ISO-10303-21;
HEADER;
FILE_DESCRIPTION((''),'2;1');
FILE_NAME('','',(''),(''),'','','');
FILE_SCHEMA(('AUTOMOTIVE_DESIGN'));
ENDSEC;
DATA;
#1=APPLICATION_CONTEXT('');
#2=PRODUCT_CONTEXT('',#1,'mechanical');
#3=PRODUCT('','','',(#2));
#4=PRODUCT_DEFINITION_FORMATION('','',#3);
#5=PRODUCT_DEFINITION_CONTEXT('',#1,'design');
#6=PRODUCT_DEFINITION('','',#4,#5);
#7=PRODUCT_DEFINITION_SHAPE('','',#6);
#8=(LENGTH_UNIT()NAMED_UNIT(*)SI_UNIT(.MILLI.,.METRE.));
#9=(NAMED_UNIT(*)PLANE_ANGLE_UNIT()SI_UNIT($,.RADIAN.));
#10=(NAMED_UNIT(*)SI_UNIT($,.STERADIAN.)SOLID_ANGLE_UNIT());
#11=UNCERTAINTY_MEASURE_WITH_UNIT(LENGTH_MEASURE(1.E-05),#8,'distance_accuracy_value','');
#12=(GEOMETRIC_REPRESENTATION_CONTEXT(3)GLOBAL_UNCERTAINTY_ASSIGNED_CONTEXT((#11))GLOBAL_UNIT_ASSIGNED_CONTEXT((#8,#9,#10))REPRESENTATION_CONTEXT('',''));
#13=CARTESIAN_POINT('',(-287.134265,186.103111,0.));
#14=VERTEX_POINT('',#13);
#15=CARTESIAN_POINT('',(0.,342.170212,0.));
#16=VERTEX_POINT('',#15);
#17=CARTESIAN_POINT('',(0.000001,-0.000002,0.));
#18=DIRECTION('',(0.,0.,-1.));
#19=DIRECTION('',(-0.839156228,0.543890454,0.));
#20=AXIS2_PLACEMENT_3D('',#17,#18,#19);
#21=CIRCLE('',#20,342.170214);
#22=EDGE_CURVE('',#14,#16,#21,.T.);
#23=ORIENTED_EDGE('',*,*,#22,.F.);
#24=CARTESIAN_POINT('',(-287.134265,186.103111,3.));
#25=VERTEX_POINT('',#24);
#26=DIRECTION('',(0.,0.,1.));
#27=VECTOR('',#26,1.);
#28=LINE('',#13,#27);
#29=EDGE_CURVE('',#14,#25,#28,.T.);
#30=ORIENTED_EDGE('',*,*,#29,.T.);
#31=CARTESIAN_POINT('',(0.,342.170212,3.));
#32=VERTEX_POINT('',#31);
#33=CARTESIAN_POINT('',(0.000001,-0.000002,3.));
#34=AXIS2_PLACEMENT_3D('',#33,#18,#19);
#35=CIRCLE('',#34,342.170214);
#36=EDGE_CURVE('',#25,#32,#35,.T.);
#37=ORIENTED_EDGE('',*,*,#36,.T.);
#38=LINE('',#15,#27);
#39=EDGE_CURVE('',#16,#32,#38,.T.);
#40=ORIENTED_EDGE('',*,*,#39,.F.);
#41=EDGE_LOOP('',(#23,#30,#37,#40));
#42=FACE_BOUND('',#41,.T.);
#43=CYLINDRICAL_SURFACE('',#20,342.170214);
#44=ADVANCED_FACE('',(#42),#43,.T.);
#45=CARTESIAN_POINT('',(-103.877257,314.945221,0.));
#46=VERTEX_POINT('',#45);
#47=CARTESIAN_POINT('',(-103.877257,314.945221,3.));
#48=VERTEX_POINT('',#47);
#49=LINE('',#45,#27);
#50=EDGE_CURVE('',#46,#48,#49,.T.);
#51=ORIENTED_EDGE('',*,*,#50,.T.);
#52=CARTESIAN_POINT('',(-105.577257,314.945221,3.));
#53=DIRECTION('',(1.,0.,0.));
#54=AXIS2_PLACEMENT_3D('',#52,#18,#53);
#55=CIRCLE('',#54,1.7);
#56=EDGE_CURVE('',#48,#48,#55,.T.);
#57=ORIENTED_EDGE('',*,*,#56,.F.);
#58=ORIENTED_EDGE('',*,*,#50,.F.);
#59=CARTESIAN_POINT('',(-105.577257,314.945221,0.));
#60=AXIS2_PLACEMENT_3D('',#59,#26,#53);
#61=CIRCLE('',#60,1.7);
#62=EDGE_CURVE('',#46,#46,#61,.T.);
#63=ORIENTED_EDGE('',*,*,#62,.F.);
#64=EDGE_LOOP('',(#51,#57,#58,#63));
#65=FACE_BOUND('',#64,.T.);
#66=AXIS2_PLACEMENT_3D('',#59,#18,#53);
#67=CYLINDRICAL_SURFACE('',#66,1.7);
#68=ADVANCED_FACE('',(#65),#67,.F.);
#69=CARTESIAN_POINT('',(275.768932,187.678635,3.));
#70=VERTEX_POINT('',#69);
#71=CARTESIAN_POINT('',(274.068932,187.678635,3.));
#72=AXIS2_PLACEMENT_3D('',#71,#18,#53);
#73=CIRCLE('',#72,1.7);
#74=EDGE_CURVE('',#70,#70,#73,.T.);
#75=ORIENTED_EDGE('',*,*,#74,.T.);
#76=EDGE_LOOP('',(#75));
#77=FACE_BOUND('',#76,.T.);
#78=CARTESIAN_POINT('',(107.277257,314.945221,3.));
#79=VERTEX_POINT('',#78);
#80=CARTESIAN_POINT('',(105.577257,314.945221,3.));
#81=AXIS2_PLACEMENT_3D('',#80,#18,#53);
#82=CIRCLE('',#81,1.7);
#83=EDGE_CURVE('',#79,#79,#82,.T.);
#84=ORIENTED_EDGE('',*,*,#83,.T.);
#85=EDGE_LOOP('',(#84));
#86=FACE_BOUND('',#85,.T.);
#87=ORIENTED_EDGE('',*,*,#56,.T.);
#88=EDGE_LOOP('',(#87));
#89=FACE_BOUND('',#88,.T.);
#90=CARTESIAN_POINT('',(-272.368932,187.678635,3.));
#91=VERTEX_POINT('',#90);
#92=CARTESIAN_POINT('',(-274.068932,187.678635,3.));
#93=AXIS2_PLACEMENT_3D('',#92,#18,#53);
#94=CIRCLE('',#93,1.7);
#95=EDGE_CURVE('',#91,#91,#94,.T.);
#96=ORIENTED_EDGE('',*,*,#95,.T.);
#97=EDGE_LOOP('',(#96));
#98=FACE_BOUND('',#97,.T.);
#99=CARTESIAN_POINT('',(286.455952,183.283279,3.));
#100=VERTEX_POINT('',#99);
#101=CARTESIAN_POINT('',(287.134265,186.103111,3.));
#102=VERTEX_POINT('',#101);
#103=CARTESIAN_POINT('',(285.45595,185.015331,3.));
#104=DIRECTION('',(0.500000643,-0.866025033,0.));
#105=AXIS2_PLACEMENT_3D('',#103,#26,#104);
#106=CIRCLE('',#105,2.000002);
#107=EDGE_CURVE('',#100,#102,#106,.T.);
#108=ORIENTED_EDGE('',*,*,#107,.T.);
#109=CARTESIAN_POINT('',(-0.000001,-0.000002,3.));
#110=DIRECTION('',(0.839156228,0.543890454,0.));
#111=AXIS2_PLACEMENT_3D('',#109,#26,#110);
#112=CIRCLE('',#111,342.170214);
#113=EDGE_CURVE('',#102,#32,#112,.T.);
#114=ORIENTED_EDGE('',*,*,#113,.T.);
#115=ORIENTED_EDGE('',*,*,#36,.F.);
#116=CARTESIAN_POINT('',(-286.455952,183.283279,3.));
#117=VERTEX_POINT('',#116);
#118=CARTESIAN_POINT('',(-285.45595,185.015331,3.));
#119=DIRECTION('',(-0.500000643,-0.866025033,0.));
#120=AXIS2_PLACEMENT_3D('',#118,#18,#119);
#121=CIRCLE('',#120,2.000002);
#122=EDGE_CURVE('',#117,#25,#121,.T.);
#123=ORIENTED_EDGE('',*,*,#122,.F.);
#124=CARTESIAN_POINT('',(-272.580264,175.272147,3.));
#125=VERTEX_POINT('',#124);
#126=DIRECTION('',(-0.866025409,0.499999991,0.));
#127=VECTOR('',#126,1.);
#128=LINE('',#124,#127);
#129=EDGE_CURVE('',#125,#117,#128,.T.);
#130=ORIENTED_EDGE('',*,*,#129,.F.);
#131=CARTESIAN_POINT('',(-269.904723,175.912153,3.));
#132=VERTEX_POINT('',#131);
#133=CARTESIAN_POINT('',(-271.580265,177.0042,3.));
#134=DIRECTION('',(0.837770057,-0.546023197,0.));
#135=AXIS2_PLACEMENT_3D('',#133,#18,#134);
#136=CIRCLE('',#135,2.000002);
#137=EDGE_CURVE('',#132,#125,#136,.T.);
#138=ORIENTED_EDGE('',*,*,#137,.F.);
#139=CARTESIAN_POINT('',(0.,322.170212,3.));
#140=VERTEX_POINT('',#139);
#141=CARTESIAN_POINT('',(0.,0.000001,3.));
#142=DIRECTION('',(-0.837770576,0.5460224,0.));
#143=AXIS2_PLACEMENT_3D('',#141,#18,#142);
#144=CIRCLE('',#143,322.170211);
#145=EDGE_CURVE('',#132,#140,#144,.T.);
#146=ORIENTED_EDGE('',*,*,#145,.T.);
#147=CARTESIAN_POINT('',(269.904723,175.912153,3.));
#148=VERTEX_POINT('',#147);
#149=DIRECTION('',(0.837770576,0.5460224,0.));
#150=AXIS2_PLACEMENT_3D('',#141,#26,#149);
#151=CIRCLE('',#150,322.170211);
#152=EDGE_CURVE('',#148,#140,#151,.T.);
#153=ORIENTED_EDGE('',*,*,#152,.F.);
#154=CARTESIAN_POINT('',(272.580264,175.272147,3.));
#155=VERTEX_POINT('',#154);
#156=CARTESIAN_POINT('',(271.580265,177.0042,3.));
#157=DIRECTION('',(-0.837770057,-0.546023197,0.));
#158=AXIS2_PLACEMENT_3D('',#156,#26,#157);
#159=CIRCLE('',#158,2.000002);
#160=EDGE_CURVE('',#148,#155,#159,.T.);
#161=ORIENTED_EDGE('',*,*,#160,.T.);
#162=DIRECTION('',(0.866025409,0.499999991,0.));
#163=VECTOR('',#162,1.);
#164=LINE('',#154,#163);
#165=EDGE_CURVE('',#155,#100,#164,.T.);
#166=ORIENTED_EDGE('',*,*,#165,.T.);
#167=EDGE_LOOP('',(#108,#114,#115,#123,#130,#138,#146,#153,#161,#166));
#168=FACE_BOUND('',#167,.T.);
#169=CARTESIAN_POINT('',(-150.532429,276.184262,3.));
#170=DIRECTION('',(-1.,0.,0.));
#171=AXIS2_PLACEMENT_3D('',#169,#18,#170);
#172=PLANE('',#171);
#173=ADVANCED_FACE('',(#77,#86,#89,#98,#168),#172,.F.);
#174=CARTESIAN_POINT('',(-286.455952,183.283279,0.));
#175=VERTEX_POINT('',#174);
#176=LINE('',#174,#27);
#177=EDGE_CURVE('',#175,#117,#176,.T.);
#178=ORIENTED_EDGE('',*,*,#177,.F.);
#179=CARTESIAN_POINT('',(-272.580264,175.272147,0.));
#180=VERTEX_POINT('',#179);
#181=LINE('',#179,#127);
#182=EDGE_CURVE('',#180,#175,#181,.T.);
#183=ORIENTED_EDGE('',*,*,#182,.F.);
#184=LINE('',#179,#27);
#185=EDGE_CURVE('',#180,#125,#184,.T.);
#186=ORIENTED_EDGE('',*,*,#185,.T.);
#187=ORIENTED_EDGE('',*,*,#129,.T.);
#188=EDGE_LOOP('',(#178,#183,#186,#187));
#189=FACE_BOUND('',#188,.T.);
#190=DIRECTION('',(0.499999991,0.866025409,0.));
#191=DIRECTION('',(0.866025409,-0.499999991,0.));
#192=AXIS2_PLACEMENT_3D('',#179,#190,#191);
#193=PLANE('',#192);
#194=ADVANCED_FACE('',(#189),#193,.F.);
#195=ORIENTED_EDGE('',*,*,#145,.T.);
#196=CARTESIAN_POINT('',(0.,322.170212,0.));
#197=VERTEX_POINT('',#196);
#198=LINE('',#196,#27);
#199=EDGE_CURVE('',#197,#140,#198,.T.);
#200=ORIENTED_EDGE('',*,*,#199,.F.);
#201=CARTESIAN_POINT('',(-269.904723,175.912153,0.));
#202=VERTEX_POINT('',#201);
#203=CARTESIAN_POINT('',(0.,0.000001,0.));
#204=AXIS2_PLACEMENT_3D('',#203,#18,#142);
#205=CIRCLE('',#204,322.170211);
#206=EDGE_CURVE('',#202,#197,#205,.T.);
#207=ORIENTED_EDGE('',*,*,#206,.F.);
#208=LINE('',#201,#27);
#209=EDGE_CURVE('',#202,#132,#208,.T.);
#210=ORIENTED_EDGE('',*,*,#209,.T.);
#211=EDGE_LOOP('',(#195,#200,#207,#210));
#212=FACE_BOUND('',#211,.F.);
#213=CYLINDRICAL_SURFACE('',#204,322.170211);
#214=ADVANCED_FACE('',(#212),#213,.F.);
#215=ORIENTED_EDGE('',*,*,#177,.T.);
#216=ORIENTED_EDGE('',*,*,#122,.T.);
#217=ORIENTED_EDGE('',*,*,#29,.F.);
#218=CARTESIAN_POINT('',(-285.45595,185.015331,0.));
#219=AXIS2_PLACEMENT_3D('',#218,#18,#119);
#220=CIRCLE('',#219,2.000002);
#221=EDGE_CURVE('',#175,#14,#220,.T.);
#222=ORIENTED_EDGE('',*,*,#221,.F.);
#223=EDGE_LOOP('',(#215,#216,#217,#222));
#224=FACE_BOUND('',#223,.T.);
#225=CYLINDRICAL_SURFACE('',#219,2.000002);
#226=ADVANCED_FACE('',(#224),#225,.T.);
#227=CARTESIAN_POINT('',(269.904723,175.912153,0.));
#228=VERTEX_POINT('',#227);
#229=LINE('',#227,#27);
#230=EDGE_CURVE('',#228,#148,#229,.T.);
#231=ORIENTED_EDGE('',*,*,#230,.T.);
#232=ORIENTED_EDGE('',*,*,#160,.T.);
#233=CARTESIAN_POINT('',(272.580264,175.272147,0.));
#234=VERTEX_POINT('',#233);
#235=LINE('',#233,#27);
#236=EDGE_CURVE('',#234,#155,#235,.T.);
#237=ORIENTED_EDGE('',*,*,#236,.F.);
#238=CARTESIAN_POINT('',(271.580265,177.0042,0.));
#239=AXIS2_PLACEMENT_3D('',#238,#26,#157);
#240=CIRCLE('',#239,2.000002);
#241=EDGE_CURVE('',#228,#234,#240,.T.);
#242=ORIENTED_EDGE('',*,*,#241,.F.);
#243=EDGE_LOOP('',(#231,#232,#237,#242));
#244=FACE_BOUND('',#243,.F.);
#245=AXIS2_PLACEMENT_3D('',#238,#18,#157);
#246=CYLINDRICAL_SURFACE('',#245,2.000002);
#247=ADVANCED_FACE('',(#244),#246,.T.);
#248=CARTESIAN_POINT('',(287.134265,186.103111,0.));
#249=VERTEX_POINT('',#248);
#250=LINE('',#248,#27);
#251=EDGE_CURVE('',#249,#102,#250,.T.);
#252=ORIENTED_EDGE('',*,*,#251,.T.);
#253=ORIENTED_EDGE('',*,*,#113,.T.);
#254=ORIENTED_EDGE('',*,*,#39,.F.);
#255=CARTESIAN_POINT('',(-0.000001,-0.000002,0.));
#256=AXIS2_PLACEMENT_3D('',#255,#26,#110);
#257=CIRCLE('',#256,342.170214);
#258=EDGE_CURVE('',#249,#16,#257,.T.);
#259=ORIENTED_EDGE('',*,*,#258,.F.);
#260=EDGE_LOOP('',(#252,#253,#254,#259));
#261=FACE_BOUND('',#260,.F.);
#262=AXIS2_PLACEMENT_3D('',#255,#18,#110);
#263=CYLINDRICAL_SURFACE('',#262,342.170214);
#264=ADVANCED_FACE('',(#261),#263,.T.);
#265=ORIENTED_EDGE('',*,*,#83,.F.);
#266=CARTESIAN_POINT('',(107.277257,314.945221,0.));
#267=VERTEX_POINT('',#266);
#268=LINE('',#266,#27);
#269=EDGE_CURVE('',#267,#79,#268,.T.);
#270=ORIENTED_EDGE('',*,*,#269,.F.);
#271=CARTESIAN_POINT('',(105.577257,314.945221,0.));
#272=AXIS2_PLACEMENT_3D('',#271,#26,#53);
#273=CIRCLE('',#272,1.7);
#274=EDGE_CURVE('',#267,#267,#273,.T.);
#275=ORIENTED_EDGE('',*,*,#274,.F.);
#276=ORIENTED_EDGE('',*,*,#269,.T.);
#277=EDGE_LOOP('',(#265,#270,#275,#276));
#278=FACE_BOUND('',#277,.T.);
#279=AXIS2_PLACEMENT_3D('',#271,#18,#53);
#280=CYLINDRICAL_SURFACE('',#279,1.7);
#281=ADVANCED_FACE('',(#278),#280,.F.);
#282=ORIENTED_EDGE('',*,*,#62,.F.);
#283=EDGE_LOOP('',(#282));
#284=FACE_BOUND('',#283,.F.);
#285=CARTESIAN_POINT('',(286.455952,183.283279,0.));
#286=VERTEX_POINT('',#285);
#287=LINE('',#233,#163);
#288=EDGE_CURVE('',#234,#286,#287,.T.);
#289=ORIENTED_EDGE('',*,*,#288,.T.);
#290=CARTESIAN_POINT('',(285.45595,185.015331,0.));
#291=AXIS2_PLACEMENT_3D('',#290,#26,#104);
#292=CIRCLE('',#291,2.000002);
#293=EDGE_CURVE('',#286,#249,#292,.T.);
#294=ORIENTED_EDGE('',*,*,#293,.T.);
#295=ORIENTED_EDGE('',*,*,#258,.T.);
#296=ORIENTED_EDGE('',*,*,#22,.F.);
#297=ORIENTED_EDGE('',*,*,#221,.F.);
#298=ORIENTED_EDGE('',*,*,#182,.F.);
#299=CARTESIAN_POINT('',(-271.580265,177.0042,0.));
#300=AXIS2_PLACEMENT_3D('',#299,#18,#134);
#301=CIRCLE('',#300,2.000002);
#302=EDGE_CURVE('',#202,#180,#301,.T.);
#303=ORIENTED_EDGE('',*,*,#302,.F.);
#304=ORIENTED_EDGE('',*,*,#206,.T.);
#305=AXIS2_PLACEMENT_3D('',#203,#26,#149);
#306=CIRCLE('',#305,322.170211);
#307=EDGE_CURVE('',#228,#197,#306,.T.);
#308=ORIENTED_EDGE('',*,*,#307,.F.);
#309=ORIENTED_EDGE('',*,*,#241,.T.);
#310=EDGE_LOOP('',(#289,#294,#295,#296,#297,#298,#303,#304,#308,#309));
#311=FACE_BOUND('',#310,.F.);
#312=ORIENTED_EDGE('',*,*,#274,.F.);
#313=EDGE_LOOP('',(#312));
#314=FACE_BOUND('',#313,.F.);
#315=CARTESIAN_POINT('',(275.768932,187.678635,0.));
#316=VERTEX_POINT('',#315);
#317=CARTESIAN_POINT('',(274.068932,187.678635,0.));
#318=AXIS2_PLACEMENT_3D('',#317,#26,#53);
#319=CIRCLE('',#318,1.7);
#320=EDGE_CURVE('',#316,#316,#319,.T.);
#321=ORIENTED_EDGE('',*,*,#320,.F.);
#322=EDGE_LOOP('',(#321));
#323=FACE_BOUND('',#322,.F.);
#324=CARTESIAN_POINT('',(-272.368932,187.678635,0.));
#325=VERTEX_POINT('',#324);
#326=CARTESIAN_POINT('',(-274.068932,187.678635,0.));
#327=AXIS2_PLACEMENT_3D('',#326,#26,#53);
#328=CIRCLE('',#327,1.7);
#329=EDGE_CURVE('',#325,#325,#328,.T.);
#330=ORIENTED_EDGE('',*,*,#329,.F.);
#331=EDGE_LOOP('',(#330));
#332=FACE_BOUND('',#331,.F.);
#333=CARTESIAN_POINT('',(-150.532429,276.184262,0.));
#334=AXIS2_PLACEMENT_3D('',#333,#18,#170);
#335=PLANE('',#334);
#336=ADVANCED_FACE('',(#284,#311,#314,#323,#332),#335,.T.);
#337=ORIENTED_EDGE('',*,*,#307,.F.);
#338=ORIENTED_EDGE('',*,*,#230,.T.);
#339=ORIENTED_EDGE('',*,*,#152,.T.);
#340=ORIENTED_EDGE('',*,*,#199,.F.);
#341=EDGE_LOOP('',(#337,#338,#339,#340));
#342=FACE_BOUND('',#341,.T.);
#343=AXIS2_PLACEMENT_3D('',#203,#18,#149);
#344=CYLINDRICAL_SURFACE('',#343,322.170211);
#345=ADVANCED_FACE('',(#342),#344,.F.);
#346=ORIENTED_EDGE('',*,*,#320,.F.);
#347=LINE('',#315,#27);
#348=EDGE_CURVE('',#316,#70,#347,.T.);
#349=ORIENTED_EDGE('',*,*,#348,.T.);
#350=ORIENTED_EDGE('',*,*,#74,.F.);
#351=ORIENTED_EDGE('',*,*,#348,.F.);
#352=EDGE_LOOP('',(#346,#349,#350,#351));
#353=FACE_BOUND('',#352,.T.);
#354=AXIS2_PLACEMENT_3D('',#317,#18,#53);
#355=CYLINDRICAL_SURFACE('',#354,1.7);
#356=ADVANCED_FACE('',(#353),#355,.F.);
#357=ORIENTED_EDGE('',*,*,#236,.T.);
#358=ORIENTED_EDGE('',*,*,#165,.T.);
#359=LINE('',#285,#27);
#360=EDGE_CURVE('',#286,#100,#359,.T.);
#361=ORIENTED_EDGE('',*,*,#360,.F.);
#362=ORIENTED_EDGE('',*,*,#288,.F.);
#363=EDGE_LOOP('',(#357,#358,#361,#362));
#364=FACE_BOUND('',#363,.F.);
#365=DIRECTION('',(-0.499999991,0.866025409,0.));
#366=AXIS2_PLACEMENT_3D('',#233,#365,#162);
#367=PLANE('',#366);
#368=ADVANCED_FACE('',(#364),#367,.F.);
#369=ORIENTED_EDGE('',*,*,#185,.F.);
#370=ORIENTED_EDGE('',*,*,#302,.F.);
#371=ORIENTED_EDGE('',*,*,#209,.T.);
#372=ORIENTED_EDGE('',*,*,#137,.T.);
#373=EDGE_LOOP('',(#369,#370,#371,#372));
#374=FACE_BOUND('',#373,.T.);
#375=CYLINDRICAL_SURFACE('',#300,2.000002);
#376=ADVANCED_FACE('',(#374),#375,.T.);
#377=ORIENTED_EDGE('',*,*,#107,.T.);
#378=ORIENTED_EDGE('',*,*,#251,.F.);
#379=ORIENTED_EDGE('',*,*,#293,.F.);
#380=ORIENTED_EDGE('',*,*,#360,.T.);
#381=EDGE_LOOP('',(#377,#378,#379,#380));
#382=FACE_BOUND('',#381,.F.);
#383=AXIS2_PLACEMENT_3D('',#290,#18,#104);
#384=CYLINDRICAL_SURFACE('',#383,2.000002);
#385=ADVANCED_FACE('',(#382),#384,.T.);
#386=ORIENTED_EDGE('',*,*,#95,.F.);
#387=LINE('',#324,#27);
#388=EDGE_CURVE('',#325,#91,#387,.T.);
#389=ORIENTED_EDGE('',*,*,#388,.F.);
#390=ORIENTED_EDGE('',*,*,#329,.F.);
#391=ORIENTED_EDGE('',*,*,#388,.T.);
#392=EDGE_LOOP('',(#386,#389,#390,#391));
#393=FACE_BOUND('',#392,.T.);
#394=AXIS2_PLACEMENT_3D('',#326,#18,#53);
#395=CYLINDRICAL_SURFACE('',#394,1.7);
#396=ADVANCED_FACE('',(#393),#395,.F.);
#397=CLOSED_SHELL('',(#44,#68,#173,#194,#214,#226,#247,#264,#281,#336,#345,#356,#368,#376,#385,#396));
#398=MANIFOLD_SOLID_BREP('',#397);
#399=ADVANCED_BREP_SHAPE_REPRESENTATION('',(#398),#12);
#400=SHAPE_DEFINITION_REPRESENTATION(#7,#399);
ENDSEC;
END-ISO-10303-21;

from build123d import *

# Parameters (mm, degrees)
PAD005_DEPTH         = 3
SKETCH058_R          = 1.7
POCKET029_DEPTH      = 0.001
POCKET029_DEPTH_BACK = 3.001


with BuildPart() as part:
    # Sketch057 → Pad005 (new body)
    with BuildSketch(Plane.XY):
        with BuildLine():
            ThreePointArc((269.904723, 175.912153), (153.492654, 283.255451), (0, 322.170212))
            Line((0, 322.170212), (0, 342.170212))
            ThreePointArc((287.134265, 186.103111), (163.403661, 300.632163), (0, 342.170212))
            ThreePointArc((286.455952, 183.283279), (287.400483, 184.547572), (287.134265, 186.103111))
            Line((272.580264, 175.272147), (286.455952, 183.283279))
            ThreePointArc((269.904723, 175.912153), (271.114979, 175.059074), (272.580264, 175.272147))
        make_face()
    pad005 = extrude(amount=PAD005_DEPTH)

    # Mirrored011: Pad005 across Sketch057 V_Axis
    add(pad005.mirror(Plane(origin=(0, 0, 0), x_dir=(0, 0, 1), z_dir=(1, 0, 0))))

    # Sketch058 → Pocket029 (cut, two sides)
    with BuildSketch(Plane.XY) as pocket029_sk:
        with Locations((105.577257, 314.945221)):
            Circle(SKETCH058_R)
        with Locations((274.068932, 187.678635)):
            Circle(SKETCH058_R)
        with Locations((-105.577257, 314.945221)):
            Circle(SKETCH058_R)
        with Locations((-274.068932, 187.678635)):
            Circle(SKETCH058_R)
    extrude(amount=-POCKET029_DEPTH, mode=Mode.SUBTRACT)
    extrude(pocket029_sk.sketch, amount=POCKET029_DEPTH_BACK, mode=Mode.SUBTRACT)


solid = part.part
